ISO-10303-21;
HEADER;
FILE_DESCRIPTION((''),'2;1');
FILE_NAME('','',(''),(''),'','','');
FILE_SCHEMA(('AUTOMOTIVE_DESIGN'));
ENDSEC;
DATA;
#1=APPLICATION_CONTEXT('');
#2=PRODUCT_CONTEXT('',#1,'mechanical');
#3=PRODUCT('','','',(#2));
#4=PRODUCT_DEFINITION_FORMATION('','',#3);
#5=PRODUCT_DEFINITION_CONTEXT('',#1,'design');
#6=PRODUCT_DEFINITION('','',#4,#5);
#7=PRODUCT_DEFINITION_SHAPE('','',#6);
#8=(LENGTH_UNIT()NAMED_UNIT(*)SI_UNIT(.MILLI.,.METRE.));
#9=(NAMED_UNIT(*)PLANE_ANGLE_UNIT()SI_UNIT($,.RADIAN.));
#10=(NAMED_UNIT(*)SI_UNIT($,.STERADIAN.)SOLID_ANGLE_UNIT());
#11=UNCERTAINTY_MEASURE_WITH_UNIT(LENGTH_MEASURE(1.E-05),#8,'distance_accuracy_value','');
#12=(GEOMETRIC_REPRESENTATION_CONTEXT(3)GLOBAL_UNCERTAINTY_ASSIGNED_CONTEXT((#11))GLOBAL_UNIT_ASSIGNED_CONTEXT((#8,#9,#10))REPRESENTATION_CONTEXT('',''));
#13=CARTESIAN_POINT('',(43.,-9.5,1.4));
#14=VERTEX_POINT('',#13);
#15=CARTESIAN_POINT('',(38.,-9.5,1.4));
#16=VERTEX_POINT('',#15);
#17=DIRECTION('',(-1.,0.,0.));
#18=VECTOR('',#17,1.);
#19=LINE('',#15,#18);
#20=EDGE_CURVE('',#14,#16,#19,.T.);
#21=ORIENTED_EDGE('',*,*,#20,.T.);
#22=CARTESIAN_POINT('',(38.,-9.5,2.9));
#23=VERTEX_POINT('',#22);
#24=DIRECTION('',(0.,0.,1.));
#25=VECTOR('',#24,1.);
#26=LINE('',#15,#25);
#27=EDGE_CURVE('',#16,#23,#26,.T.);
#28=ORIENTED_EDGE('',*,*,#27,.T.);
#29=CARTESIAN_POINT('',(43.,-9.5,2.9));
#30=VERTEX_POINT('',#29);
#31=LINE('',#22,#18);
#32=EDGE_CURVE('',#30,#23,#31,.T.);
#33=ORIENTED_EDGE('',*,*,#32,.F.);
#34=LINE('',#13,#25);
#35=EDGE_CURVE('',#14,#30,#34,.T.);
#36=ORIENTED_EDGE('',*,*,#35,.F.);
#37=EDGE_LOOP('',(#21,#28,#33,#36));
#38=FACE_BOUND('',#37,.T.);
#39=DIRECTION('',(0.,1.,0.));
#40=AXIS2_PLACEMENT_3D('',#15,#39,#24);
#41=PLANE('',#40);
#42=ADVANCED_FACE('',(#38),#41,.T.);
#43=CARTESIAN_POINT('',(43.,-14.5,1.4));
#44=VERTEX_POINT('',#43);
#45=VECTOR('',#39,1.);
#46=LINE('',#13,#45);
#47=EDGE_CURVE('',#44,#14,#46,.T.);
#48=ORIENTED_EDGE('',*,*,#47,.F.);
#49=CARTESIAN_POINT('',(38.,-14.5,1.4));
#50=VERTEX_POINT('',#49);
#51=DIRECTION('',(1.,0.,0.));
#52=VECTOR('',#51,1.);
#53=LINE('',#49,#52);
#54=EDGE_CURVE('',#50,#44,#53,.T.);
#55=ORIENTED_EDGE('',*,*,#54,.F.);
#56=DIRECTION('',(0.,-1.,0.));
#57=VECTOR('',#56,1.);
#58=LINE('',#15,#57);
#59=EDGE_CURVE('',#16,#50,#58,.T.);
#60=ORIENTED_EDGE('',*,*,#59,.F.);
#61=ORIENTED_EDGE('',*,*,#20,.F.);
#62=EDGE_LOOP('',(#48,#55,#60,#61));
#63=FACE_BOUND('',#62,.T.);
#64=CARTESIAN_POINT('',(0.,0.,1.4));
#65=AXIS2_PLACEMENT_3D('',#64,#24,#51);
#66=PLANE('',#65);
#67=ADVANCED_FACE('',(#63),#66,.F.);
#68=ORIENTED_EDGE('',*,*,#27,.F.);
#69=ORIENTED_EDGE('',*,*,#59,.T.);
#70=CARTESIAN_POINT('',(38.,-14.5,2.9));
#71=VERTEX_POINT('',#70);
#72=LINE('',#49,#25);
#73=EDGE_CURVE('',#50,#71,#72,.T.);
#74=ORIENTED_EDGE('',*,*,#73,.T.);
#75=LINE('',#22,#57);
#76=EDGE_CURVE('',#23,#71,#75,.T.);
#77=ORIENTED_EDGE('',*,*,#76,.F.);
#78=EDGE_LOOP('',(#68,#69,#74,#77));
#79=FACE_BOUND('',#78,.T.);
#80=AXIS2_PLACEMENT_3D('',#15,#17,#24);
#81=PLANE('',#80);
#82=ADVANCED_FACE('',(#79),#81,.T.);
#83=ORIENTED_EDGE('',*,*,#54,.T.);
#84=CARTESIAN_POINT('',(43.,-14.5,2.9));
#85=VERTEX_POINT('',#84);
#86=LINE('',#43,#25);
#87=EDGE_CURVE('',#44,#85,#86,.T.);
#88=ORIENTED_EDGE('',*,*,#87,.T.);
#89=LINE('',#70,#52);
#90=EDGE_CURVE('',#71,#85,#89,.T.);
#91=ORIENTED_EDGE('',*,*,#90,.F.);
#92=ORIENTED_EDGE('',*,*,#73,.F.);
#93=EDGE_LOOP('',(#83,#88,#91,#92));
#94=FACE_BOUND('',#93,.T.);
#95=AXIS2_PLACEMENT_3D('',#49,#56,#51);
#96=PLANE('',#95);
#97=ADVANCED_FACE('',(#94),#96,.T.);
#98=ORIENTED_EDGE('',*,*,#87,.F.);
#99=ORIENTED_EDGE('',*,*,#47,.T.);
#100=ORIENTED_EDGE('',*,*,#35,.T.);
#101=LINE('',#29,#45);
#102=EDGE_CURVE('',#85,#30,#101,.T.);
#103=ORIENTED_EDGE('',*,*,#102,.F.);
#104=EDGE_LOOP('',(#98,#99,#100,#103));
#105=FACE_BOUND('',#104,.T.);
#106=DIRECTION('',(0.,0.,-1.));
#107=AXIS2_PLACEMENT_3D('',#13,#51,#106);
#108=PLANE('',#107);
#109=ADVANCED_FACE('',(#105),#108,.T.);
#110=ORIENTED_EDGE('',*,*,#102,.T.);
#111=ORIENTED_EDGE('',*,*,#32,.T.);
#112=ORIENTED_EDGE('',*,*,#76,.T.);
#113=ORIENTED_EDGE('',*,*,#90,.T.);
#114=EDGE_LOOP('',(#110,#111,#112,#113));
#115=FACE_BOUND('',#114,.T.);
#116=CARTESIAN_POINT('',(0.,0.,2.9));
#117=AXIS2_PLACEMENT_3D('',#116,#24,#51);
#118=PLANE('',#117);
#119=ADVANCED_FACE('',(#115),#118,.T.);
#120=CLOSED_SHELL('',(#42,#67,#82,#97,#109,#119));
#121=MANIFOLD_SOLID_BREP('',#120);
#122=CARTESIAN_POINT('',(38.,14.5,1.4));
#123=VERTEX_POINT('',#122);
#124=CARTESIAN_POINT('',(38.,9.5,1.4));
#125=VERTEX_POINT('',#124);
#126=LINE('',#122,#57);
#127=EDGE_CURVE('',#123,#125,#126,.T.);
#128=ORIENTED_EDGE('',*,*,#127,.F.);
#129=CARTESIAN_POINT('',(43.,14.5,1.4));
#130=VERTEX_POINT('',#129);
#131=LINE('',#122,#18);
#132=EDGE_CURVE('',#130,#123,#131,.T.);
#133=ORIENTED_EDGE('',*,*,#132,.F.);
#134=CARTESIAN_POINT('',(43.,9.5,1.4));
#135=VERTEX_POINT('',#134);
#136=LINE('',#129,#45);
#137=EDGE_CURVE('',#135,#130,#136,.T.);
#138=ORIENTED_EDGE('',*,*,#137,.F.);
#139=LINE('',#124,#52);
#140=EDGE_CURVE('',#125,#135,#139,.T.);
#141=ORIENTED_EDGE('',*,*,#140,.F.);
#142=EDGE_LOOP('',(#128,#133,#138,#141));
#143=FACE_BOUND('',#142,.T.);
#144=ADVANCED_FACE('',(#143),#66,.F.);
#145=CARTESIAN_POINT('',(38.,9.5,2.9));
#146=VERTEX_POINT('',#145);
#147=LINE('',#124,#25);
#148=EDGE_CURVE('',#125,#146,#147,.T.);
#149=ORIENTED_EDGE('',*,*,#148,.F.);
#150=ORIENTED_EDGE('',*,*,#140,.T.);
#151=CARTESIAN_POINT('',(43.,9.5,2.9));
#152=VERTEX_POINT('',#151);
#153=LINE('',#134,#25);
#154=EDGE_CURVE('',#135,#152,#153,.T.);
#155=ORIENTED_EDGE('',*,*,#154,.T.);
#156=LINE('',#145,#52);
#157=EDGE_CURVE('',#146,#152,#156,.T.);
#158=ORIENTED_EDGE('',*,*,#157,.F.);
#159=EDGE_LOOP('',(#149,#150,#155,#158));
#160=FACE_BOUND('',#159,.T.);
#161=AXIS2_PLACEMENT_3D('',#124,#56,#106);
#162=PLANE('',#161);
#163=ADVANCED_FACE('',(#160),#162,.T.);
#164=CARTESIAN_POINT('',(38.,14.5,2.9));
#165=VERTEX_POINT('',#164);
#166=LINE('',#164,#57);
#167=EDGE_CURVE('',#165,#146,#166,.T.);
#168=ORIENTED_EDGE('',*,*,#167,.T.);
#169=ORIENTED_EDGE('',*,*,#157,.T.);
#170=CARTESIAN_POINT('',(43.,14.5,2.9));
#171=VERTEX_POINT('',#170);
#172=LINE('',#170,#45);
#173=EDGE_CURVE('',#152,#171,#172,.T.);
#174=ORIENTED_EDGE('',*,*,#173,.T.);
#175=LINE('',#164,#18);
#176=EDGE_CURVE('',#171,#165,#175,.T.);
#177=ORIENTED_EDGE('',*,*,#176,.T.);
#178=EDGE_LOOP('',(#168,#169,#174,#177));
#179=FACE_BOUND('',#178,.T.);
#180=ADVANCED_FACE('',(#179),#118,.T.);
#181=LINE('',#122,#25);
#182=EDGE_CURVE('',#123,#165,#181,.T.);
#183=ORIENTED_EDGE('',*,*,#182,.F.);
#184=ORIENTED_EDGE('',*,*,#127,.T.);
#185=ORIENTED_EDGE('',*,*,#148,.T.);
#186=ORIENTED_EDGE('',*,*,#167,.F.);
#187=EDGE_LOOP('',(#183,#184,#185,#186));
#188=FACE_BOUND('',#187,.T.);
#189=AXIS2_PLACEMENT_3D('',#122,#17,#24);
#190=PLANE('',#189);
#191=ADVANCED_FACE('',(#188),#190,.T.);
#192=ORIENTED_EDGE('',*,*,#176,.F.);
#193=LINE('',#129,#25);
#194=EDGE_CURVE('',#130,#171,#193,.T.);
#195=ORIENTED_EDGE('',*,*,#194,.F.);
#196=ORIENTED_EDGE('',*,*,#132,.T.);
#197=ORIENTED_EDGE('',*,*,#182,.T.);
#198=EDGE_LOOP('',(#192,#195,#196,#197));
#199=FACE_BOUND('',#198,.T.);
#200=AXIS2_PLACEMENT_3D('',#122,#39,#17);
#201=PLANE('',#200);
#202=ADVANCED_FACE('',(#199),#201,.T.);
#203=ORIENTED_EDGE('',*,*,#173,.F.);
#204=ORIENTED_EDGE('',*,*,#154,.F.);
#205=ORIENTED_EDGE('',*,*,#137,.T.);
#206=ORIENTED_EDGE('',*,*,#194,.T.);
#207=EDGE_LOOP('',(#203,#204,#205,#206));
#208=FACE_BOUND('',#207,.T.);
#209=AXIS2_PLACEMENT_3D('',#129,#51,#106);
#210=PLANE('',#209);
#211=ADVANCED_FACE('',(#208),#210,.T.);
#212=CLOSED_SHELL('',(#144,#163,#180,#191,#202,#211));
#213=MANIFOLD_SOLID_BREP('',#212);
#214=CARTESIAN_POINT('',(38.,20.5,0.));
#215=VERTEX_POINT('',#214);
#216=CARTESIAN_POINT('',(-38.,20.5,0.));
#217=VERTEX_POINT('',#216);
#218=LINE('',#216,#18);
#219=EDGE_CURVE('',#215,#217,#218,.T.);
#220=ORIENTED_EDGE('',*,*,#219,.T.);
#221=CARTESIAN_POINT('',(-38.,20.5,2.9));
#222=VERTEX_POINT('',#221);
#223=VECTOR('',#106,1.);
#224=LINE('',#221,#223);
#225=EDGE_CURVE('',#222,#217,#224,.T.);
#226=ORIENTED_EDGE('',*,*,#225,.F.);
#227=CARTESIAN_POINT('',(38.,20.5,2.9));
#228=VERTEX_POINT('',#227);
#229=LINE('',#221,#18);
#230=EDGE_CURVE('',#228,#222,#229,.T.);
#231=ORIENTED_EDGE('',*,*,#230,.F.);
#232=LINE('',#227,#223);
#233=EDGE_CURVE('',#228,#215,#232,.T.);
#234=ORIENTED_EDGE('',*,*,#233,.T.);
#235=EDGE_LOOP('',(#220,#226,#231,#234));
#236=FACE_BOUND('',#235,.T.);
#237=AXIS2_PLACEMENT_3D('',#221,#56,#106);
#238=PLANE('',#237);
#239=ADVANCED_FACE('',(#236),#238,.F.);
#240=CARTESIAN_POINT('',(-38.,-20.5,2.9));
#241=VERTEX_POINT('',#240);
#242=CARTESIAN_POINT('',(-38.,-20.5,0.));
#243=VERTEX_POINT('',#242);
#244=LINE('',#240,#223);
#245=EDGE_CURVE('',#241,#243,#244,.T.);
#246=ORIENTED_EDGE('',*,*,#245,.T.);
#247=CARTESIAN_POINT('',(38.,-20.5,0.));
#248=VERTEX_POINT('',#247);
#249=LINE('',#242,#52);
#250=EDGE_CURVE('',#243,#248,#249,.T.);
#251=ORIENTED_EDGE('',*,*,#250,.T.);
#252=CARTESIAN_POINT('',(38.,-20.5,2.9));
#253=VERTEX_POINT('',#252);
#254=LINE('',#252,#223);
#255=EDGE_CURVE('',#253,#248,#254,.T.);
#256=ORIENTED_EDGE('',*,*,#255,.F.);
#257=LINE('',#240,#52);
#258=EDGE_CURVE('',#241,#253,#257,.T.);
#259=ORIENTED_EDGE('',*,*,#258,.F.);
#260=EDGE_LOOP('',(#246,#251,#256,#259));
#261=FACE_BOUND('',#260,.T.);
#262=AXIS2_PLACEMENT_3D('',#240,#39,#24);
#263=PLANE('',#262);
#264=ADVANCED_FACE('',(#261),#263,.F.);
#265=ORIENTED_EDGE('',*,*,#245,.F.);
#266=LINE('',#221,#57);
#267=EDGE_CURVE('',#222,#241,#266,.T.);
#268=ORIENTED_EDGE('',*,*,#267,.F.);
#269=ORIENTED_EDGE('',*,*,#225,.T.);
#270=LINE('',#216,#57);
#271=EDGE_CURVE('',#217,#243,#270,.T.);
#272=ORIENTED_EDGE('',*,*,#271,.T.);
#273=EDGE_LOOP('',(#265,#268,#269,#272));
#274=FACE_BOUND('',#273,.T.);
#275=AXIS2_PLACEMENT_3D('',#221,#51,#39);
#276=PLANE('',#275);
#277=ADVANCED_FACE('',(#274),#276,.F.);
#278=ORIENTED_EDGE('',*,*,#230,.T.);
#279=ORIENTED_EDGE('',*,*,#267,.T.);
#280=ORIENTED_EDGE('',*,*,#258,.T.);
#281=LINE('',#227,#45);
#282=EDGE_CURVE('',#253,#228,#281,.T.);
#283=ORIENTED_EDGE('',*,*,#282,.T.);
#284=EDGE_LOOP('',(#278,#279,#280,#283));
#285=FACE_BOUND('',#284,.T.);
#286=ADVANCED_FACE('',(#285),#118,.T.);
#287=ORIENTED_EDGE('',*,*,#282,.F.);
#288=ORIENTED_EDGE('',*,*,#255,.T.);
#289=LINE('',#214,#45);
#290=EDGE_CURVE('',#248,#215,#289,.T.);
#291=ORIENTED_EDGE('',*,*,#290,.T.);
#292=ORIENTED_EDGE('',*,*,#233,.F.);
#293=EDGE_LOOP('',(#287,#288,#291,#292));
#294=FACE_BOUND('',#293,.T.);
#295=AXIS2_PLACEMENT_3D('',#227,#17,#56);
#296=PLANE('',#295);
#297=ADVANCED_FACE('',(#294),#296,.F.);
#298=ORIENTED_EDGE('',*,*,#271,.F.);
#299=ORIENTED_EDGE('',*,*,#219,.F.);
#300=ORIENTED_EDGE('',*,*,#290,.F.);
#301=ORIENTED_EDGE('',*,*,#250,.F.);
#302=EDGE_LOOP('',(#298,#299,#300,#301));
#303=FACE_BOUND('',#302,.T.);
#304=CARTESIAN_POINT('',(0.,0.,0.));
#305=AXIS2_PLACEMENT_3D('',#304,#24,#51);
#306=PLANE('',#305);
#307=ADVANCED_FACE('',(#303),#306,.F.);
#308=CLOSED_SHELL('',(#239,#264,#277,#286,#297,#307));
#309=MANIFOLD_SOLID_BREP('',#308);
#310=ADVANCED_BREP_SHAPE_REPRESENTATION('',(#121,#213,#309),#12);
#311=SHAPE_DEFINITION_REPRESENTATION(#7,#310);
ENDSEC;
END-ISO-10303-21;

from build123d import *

# Parameters (mm, degrees)
SKETCH_1_W        = 76
SKETCH_1_H        = 41
EXTRUDE_1_DEPTH   = 2.9
SKETCH_2_W        = 5
SKETCH_2_H        = 5
EXTRUDE_2_DEPTH   = 1.5
EXTRUDE_2_2_DEPTH = 1.5


with BuildPart() as part:
    # 草图1 → 凸台-拉伸1 (new body)
    with BuildSketch(Plane.XY):
        Rectangle(SKETCH_1_W, SKETCH_1_H)
    extrude(amount=EXTRUDE_1_DEPTH)


with BuildPart() as body_2:
    # 草图2 → 凸台-拉伸2 (new body)
    with BuildSketch(Plane.XY.offset(2.9)):
        with Locations((40.5, 12)):
            Rectangle(SKETCH_2_W, SKETCH_2_H)
    extrude(amount=-EXTRUDE_2_DEPTH)


with BuildPart() as body_3:
    # 草图2 → Extrude 2 2 (new body)
    with BuildSketch(Plane.XY.offset(2.9)):
        with Locations((40.5, -12)):
            Rectangle(SKETCH_2_W, SKETCH_2_H)
    extrude(amount=-EXTRUDE_2_2_DEPTH)


solid = Compound([part.part, body_2.part, body_3.part])
